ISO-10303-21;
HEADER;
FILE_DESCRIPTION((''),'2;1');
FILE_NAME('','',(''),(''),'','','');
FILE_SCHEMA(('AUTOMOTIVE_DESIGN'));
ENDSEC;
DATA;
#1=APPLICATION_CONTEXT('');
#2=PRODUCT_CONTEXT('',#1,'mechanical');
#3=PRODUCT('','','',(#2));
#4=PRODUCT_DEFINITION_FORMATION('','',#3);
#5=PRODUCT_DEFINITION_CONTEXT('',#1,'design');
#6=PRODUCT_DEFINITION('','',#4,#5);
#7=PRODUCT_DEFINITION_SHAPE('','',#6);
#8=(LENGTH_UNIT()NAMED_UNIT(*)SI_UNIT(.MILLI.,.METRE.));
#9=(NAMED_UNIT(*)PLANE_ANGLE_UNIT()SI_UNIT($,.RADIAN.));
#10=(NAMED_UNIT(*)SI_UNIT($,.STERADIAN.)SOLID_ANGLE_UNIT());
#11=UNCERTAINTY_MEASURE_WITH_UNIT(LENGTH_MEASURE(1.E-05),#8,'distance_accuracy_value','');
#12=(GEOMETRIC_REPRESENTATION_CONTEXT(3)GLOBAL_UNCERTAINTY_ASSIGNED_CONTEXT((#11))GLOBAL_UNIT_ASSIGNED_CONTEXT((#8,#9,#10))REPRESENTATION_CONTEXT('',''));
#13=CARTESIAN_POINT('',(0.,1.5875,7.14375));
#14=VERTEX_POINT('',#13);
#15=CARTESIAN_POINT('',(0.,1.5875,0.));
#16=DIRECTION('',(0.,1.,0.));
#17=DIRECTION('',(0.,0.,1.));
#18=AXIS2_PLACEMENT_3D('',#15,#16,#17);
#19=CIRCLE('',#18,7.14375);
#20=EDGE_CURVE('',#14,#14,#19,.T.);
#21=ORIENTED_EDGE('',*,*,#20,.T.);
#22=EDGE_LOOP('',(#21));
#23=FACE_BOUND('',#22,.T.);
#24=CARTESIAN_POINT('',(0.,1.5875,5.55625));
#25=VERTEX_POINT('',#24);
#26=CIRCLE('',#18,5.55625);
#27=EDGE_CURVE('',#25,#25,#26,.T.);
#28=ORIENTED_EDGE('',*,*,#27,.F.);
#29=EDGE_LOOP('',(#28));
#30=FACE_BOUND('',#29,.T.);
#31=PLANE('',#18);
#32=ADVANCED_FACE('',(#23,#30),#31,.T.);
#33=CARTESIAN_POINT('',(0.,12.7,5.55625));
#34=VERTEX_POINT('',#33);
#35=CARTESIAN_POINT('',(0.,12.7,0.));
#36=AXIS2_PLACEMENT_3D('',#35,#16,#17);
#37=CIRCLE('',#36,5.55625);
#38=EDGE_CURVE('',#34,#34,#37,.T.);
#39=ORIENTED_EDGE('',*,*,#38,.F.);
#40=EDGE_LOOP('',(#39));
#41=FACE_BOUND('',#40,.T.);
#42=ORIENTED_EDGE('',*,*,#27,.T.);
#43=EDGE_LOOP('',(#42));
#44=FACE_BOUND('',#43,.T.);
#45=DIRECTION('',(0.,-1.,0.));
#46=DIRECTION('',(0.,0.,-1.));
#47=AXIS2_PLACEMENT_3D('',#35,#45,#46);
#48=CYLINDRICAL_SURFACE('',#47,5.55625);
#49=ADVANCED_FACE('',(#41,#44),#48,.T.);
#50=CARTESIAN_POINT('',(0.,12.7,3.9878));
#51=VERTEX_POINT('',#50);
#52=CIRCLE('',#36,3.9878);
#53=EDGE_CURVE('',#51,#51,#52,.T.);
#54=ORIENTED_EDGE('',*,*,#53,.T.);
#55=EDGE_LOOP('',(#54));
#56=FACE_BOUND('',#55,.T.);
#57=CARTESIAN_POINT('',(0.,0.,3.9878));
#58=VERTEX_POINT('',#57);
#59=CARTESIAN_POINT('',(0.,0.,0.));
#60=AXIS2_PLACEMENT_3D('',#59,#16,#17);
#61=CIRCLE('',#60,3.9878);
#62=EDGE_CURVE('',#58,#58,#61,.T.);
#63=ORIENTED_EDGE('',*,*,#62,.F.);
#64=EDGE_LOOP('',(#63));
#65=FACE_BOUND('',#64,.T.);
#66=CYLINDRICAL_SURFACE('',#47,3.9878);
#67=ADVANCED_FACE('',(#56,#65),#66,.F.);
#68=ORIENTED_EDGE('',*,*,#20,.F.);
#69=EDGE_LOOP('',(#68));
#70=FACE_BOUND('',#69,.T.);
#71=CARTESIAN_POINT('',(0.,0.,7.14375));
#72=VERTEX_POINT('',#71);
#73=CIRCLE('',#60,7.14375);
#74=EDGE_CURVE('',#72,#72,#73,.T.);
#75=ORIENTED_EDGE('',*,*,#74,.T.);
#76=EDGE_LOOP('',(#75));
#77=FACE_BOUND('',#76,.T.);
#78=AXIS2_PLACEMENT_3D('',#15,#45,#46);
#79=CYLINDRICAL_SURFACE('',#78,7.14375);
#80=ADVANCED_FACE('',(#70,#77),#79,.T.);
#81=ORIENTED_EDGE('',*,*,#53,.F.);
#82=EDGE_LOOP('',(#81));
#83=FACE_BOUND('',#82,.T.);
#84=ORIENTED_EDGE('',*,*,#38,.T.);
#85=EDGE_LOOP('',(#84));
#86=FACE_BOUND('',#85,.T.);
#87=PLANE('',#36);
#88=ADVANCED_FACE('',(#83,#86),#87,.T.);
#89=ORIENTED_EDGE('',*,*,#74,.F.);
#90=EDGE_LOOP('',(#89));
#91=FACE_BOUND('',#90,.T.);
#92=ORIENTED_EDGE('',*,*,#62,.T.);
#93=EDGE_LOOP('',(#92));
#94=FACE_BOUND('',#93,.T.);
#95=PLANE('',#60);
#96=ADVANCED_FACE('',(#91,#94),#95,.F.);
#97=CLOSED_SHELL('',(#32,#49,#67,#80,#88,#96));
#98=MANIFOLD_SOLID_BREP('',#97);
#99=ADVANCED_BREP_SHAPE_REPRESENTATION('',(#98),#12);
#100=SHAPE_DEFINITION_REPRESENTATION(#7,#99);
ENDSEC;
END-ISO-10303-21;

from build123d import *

# Parameters (mm, degrees)
SKETCH2_R           = 5.55625
SKETCH2_R_2         = 3.9878
BOSS_EXTRUDE1_DEPTH = 12.7
SKETCH3_R           = 7.14375
SKETCH3_R_2         = 5.55625
BOSS_EXTRUDE2_DEPTH = 1.5875


with BuildPart() as part:
    # Sketch2 → Boss-Extrude1 (new body)
    with BuildSketch(Plane(origin=(0, 0, 0), x_dir=(1, 0, 0), z_dir=(0, 1, 0))):
        Circle(SKETCH2_R)
        Circle(SKETCH2_R_2, mode=Mode.SUBTRACT)
    extrude(amount=BOSS_EXTRUDE1_DEPTH)

    # Sketch3 → Boss-Extrude2 (add)
    with BuildSketch(Plane(origin=(0, 0, 0), x_dir=(1, 0, 0), z_dir=(0, 1, 0))):
        Circle(SKETCH3_R)
        Circle(SKETCH3_R_2, mode=Mode.SUBTRACT)
    extrude(amount=BOSS_EXTRUDE2_DEPTH)


solid = part.part
